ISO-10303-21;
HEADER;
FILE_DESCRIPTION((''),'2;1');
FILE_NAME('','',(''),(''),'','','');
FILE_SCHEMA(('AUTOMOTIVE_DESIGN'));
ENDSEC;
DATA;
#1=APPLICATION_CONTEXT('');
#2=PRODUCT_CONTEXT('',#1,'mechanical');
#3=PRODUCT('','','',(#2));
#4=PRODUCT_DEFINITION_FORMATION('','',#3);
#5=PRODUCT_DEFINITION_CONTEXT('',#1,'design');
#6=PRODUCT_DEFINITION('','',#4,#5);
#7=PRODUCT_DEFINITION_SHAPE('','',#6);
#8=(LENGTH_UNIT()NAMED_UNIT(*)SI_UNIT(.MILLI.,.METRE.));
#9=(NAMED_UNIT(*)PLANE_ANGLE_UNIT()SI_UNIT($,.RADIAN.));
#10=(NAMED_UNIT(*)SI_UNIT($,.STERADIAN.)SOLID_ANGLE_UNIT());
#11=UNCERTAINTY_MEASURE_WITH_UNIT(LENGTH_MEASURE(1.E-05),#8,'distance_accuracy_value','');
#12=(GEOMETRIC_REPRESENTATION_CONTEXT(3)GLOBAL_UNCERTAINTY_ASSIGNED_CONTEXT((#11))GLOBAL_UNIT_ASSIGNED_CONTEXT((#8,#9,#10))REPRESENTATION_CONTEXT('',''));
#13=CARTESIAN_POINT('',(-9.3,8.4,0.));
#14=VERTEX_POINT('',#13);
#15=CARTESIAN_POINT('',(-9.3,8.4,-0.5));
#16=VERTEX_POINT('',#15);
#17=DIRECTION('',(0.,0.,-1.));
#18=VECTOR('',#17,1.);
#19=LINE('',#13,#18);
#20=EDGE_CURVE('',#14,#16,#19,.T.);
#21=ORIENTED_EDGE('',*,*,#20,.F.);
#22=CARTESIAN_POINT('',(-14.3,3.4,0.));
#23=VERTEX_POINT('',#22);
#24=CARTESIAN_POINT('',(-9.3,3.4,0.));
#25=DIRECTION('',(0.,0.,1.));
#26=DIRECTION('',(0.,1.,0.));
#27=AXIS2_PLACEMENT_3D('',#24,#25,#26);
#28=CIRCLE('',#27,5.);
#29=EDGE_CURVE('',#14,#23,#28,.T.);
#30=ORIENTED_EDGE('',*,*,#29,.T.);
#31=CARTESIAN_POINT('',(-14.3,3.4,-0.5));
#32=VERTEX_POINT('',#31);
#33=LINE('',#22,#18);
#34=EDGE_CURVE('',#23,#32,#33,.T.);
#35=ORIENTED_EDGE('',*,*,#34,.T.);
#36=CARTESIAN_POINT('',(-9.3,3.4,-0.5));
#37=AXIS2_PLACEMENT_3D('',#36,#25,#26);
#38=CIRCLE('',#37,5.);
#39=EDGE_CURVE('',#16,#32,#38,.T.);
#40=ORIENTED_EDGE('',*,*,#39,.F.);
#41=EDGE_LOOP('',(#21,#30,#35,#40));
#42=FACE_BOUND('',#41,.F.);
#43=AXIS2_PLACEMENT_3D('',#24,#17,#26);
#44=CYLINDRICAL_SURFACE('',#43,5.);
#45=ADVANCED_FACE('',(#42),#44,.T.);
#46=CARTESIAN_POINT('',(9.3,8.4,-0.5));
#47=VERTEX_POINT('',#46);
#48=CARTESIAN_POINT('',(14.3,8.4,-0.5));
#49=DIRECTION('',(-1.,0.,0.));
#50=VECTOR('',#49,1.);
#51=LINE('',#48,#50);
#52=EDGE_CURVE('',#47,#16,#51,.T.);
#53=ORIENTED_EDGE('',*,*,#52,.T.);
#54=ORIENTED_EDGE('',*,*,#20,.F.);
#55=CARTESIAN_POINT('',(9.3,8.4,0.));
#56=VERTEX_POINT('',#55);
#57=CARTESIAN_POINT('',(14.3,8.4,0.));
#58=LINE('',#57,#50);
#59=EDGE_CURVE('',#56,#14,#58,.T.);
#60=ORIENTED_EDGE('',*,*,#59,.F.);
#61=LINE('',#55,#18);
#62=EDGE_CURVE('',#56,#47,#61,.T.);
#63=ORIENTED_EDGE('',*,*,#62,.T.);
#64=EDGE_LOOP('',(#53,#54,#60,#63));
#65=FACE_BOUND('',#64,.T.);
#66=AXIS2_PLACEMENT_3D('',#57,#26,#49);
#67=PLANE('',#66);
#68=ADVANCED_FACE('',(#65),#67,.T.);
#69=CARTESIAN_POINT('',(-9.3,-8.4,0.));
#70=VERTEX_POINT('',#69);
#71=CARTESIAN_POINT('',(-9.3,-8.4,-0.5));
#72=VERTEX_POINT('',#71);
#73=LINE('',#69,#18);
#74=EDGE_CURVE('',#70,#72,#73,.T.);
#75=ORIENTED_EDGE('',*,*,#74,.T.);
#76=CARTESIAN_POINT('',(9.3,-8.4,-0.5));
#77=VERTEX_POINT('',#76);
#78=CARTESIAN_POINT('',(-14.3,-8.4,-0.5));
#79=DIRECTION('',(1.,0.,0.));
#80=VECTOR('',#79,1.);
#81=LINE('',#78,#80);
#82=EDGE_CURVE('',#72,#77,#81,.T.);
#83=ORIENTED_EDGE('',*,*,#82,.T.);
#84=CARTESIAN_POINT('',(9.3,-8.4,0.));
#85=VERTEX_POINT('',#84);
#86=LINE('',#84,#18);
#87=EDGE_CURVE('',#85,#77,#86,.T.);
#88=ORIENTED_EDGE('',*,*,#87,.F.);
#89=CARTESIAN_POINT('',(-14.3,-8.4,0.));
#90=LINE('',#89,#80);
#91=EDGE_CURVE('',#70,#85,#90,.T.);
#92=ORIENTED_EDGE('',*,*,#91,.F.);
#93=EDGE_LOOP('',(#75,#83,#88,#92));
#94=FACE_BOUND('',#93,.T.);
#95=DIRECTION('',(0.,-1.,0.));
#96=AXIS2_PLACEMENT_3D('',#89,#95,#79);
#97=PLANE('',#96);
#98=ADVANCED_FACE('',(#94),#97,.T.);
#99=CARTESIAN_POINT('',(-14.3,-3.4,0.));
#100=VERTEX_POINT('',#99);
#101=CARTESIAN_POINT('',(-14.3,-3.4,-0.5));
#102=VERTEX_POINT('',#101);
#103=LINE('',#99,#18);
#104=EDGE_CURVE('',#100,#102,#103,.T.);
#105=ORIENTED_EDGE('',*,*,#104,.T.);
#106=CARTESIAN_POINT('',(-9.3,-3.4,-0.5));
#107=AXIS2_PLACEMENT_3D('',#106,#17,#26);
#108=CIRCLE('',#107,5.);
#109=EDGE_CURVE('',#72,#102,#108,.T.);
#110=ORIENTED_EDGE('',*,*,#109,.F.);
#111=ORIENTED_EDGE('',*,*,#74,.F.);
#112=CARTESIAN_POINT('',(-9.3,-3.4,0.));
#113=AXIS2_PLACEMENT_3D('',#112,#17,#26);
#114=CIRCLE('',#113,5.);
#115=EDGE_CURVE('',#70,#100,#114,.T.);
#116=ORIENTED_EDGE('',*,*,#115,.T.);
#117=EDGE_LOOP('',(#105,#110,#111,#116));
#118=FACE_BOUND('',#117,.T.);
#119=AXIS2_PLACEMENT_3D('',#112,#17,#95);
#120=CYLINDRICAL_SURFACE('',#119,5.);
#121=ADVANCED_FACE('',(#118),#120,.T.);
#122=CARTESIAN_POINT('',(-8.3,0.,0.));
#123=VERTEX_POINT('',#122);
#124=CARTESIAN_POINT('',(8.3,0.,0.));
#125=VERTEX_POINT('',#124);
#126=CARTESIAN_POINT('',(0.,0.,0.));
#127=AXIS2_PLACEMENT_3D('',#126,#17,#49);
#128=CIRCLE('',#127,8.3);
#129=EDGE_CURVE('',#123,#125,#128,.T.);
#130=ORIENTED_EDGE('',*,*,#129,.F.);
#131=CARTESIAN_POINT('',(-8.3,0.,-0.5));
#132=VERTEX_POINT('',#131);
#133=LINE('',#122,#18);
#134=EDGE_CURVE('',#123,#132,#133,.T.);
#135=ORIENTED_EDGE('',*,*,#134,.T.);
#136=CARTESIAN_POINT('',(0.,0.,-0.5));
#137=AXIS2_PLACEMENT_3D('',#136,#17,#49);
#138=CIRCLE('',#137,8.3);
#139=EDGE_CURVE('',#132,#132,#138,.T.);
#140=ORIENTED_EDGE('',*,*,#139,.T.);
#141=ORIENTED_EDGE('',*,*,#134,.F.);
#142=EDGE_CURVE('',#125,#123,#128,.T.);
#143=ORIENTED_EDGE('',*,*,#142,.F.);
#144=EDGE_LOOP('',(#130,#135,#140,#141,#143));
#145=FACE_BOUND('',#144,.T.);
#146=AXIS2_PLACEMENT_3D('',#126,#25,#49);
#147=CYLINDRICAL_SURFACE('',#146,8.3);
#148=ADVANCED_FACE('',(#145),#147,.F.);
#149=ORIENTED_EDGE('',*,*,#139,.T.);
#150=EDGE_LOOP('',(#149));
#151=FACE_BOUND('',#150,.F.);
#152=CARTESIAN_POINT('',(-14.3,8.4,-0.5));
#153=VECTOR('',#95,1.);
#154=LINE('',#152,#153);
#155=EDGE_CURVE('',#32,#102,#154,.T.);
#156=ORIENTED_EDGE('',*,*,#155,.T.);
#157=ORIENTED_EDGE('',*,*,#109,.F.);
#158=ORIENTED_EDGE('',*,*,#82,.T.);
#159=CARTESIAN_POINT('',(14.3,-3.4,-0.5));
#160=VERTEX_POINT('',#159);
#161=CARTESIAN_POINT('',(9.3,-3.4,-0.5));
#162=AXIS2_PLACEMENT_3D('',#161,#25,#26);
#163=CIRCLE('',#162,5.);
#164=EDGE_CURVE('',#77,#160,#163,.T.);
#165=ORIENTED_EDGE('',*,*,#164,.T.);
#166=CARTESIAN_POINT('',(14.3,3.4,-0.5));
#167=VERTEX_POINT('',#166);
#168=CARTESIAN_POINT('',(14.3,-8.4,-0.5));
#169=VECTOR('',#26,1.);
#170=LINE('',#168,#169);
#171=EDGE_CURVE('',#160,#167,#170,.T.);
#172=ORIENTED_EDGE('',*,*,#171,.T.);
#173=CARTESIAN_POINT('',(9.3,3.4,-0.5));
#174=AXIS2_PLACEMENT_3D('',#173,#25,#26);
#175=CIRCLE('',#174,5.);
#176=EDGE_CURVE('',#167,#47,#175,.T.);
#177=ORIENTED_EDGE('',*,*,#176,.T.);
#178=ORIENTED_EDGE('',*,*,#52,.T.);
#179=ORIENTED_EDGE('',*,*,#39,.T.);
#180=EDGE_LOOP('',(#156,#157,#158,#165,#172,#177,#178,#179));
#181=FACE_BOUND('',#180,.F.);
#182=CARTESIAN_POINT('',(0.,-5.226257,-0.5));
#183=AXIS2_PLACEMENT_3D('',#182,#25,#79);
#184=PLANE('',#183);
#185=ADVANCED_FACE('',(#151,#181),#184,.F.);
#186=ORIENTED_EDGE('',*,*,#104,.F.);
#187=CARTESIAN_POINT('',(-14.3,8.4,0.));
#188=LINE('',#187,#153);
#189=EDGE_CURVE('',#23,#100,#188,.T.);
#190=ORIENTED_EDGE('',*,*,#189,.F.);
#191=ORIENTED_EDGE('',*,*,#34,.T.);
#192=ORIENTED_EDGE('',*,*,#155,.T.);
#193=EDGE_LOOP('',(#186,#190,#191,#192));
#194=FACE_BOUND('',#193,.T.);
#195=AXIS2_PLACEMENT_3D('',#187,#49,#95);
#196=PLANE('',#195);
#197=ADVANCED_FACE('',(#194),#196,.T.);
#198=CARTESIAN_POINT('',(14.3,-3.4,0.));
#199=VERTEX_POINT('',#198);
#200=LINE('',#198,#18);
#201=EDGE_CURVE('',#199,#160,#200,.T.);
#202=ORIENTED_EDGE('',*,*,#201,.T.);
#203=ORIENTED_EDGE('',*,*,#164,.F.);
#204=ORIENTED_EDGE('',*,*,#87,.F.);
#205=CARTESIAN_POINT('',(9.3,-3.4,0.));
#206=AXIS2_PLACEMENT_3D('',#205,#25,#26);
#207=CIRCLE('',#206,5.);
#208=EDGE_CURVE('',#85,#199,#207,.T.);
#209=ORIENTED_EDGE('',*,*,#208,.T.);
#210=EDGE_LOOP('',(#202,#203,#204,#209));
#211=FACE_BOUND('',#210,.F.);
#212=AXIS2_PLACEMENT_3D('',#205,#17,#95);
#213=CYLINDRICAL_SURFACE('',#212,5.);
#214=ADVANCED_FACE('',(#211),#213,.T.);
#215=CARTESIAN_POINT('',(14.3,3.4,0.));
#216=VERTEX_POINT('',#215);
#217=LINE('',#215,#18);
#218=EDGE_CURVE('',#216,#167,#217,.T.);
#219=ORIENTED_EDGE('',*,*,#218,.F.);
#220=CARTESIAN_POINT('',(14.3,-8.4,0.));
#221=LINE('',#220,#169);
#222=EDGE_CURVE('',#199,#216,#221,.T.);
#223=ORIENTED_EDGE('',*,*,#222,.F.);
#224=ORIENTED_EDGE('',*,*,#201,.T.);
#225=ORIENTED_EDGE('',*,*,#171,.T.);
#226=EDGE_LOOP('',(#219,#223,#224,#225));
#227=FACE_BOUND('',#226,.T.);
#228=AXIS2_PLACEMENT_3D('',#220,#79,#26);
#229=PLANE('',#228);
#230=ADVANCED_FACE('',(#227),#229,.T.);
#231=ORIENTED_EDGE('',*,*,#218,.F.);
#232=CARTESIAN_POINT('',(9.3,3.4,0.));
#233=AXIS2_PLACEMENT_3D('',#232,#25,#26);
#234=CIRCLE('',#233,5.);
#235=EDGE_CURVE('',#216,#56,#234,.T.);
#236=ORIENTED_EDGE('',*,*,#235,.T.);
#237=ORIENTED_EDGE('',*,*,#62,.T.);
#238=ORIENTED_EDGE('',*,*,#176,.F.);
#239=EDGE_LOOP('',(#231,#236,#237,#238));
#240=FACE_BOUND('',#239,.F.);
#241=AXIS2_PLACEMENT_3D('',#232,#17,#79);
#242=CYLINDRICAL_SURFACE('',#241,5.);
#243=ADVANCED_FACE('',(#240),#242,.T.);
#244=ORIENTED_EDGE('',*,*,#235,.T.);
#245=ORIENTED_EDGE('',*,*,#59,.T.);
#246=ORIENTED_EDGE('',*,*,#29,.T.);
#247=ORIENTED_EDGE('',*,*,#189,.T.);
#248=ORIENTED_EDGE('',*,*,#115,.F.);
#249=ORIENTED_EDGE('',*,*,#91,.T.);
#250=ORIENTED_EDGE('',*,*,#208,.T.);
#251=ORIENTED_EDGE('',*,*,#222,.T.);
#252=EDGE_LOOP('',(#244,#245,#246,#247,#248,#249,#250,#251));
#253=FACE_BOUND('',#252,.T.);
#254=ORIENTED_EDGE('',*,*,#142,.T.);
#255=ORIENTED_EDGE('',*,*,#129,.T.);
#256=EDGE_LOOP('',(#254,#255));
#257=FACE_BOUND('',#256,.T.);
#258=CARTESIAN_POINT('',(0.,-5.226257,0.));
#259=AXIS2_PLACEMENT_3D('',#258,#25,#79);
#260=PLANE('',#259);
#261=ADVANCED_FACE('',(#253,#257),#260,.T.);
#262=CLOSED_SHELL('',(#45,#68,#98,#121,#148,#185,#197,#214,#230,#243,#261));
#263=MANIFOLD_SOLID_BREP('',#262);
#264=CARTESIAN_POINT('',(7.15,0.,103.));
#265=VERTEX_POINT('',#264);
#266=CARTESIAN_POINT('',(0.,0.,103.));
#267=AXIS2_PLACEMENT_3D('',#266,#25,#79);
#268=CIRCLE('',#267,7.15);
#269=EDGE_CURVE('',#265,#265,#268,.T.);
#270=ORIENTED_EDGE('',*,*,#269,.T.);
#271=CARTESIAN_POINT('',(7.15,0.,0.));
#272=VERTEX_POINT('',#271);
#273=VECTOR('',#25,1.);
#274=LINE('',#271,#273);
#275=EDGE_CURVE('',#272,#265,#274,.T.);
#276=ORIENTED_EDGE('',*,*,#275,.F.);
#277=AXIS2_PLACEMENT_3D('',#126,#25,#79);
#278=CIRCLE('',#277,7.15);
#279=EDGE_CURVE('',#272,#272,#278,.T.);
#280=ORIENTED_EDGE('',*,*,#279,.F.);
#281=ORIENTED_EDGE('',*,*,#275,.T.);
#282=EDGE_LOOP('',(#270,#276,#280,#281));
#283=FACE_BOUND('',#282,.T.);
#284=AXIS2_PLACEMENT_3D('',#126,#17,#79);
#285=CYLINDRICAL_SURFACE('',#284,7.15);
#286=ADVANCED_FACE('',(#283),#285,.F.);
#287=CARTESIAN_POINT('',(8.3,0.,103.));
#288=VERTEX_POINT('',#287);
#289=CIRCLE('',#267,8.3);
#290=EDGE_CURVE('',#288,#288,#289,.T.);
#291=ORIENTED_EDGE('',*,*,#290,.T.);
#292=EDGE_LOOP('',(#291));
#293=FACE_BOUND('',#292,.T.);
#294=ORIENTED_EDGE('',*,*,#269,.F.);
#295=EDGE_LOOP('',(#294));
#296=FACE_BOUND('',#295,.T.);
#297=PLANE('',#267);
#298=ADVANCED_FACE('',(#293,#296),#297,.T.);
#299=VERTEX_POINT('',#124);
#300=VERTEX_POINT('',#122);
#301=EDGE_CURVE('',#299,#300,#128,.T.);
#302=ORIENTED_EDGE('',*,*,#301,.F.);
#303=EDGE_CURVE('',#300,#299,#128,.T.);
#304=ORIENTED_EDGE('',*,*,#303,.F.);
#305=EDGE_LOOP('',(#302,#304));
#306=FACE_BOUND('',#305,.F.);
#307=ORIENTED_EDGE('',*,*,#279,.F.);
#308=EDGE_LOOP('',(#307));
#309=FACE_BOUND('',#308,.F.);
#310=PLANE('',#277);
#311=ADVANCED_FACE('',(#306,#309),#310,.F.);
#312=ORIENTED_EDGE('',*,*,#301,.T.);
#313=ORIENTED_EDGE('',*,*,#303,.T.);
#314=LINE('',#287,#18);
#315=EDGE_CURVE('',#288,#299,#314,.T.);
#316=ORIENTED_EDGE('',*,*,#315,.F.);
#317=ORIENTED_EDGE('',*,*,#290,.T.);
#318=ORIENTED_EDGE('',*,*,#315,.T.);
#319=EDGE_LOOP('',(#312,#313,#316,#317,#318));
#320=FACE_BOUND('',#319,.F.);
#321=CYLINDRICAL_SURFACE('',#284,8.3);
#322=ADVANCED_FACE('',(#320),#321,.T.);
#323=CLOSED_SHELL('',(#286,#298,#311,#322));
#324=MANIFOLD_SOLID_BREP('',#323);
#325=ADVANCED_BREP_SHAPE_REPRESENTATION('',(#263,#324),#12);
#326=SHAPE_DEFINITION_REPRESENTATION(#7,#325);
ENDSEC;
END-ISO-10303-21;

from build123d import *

# Parameters (mm, degrees)
F1_DEPTH = 0.5
F0_R     = 7.15
F2_DEPTH = 100
F3_R     = 5
F4_DEPTH = 103


with BuildPart() as f1:
    # F0 (on Top) → F1 (new body)
    with BuildSketch(Plane.XY):
        with BuildLine():
            Line((14.3, 0), (8.3, 0))
            ThreePointArc((8.3, 0), (0, -8.3), (-8.3, 0))
            Line((-8.3, 0), (-14.3, 0))
            Line((-14.3, 0), (-14.3, -8.4))
            Line((-14.3, -8.4), (14.3, -8.4))
            Line((14.3, -8.4), (14.3, 0))
        make_face()
        with BuildLine():
            ThreePointArc((-8.3, 0), (0, 8.3), (8.3, 0))
            Line((8.3, 0), (14.3, 0))
            Line((14.3, 0), (14.3, 8.4))
            Line((14.3, 8.4), (-14.3, 8.4))
            Line((-14.3, 8.4), (-14.3, 0))
            Line((-14.3, 0), (-8.3, 0))
        make_face()
    extrude(amount=-F1_DEPTH)

    # F3
    f3_edges = [f1.edges().sort_by_distance(p)[0] for p in [
        (14.3, -8.4, -0.25),
        (14.3, 8.4, -0.25),
        (-14.3, 8.4, -0.25),
        (-14.3, -8.4, -0.25),
    ]]
    fillet(f3_edges, radius=F3_R)



with BuildPart() as f2:
    # F0 (on Top) → F2 (new body)
    with BuildSketch(Plane.XY):
        with BuildLine():
            ThreePointArc((-8.3, 0), (0, -8.3), (8.3, 0))
            ThreePointArc((8.3, 0), (0, 8.3), (-8.3, 0))
        make_face()
        Circle(F0_R, mode=Mode.SUBTRACT)
    extrude(amount=F2_DEPTH)


with BuildPart() as f1_1:
    add(f1.part)

    add(f2.part)  # F4 merges F2
    # F0 (on Top) → F4 (join)
    with BuildSketch(Plane.XY):
        with BuildLine():
            ThreePointArc((-8.3, 0), (0, -8.3), (8.3, 0))
            ThreePointArc((8.3, 0), (0, 8.3), (-8.3, 0))
        make_face()
        Circle(F0_R, mode=Mode.SUBTRACT)
    extrude(amount=F4_DEPTH)


solid = f1_1.part
